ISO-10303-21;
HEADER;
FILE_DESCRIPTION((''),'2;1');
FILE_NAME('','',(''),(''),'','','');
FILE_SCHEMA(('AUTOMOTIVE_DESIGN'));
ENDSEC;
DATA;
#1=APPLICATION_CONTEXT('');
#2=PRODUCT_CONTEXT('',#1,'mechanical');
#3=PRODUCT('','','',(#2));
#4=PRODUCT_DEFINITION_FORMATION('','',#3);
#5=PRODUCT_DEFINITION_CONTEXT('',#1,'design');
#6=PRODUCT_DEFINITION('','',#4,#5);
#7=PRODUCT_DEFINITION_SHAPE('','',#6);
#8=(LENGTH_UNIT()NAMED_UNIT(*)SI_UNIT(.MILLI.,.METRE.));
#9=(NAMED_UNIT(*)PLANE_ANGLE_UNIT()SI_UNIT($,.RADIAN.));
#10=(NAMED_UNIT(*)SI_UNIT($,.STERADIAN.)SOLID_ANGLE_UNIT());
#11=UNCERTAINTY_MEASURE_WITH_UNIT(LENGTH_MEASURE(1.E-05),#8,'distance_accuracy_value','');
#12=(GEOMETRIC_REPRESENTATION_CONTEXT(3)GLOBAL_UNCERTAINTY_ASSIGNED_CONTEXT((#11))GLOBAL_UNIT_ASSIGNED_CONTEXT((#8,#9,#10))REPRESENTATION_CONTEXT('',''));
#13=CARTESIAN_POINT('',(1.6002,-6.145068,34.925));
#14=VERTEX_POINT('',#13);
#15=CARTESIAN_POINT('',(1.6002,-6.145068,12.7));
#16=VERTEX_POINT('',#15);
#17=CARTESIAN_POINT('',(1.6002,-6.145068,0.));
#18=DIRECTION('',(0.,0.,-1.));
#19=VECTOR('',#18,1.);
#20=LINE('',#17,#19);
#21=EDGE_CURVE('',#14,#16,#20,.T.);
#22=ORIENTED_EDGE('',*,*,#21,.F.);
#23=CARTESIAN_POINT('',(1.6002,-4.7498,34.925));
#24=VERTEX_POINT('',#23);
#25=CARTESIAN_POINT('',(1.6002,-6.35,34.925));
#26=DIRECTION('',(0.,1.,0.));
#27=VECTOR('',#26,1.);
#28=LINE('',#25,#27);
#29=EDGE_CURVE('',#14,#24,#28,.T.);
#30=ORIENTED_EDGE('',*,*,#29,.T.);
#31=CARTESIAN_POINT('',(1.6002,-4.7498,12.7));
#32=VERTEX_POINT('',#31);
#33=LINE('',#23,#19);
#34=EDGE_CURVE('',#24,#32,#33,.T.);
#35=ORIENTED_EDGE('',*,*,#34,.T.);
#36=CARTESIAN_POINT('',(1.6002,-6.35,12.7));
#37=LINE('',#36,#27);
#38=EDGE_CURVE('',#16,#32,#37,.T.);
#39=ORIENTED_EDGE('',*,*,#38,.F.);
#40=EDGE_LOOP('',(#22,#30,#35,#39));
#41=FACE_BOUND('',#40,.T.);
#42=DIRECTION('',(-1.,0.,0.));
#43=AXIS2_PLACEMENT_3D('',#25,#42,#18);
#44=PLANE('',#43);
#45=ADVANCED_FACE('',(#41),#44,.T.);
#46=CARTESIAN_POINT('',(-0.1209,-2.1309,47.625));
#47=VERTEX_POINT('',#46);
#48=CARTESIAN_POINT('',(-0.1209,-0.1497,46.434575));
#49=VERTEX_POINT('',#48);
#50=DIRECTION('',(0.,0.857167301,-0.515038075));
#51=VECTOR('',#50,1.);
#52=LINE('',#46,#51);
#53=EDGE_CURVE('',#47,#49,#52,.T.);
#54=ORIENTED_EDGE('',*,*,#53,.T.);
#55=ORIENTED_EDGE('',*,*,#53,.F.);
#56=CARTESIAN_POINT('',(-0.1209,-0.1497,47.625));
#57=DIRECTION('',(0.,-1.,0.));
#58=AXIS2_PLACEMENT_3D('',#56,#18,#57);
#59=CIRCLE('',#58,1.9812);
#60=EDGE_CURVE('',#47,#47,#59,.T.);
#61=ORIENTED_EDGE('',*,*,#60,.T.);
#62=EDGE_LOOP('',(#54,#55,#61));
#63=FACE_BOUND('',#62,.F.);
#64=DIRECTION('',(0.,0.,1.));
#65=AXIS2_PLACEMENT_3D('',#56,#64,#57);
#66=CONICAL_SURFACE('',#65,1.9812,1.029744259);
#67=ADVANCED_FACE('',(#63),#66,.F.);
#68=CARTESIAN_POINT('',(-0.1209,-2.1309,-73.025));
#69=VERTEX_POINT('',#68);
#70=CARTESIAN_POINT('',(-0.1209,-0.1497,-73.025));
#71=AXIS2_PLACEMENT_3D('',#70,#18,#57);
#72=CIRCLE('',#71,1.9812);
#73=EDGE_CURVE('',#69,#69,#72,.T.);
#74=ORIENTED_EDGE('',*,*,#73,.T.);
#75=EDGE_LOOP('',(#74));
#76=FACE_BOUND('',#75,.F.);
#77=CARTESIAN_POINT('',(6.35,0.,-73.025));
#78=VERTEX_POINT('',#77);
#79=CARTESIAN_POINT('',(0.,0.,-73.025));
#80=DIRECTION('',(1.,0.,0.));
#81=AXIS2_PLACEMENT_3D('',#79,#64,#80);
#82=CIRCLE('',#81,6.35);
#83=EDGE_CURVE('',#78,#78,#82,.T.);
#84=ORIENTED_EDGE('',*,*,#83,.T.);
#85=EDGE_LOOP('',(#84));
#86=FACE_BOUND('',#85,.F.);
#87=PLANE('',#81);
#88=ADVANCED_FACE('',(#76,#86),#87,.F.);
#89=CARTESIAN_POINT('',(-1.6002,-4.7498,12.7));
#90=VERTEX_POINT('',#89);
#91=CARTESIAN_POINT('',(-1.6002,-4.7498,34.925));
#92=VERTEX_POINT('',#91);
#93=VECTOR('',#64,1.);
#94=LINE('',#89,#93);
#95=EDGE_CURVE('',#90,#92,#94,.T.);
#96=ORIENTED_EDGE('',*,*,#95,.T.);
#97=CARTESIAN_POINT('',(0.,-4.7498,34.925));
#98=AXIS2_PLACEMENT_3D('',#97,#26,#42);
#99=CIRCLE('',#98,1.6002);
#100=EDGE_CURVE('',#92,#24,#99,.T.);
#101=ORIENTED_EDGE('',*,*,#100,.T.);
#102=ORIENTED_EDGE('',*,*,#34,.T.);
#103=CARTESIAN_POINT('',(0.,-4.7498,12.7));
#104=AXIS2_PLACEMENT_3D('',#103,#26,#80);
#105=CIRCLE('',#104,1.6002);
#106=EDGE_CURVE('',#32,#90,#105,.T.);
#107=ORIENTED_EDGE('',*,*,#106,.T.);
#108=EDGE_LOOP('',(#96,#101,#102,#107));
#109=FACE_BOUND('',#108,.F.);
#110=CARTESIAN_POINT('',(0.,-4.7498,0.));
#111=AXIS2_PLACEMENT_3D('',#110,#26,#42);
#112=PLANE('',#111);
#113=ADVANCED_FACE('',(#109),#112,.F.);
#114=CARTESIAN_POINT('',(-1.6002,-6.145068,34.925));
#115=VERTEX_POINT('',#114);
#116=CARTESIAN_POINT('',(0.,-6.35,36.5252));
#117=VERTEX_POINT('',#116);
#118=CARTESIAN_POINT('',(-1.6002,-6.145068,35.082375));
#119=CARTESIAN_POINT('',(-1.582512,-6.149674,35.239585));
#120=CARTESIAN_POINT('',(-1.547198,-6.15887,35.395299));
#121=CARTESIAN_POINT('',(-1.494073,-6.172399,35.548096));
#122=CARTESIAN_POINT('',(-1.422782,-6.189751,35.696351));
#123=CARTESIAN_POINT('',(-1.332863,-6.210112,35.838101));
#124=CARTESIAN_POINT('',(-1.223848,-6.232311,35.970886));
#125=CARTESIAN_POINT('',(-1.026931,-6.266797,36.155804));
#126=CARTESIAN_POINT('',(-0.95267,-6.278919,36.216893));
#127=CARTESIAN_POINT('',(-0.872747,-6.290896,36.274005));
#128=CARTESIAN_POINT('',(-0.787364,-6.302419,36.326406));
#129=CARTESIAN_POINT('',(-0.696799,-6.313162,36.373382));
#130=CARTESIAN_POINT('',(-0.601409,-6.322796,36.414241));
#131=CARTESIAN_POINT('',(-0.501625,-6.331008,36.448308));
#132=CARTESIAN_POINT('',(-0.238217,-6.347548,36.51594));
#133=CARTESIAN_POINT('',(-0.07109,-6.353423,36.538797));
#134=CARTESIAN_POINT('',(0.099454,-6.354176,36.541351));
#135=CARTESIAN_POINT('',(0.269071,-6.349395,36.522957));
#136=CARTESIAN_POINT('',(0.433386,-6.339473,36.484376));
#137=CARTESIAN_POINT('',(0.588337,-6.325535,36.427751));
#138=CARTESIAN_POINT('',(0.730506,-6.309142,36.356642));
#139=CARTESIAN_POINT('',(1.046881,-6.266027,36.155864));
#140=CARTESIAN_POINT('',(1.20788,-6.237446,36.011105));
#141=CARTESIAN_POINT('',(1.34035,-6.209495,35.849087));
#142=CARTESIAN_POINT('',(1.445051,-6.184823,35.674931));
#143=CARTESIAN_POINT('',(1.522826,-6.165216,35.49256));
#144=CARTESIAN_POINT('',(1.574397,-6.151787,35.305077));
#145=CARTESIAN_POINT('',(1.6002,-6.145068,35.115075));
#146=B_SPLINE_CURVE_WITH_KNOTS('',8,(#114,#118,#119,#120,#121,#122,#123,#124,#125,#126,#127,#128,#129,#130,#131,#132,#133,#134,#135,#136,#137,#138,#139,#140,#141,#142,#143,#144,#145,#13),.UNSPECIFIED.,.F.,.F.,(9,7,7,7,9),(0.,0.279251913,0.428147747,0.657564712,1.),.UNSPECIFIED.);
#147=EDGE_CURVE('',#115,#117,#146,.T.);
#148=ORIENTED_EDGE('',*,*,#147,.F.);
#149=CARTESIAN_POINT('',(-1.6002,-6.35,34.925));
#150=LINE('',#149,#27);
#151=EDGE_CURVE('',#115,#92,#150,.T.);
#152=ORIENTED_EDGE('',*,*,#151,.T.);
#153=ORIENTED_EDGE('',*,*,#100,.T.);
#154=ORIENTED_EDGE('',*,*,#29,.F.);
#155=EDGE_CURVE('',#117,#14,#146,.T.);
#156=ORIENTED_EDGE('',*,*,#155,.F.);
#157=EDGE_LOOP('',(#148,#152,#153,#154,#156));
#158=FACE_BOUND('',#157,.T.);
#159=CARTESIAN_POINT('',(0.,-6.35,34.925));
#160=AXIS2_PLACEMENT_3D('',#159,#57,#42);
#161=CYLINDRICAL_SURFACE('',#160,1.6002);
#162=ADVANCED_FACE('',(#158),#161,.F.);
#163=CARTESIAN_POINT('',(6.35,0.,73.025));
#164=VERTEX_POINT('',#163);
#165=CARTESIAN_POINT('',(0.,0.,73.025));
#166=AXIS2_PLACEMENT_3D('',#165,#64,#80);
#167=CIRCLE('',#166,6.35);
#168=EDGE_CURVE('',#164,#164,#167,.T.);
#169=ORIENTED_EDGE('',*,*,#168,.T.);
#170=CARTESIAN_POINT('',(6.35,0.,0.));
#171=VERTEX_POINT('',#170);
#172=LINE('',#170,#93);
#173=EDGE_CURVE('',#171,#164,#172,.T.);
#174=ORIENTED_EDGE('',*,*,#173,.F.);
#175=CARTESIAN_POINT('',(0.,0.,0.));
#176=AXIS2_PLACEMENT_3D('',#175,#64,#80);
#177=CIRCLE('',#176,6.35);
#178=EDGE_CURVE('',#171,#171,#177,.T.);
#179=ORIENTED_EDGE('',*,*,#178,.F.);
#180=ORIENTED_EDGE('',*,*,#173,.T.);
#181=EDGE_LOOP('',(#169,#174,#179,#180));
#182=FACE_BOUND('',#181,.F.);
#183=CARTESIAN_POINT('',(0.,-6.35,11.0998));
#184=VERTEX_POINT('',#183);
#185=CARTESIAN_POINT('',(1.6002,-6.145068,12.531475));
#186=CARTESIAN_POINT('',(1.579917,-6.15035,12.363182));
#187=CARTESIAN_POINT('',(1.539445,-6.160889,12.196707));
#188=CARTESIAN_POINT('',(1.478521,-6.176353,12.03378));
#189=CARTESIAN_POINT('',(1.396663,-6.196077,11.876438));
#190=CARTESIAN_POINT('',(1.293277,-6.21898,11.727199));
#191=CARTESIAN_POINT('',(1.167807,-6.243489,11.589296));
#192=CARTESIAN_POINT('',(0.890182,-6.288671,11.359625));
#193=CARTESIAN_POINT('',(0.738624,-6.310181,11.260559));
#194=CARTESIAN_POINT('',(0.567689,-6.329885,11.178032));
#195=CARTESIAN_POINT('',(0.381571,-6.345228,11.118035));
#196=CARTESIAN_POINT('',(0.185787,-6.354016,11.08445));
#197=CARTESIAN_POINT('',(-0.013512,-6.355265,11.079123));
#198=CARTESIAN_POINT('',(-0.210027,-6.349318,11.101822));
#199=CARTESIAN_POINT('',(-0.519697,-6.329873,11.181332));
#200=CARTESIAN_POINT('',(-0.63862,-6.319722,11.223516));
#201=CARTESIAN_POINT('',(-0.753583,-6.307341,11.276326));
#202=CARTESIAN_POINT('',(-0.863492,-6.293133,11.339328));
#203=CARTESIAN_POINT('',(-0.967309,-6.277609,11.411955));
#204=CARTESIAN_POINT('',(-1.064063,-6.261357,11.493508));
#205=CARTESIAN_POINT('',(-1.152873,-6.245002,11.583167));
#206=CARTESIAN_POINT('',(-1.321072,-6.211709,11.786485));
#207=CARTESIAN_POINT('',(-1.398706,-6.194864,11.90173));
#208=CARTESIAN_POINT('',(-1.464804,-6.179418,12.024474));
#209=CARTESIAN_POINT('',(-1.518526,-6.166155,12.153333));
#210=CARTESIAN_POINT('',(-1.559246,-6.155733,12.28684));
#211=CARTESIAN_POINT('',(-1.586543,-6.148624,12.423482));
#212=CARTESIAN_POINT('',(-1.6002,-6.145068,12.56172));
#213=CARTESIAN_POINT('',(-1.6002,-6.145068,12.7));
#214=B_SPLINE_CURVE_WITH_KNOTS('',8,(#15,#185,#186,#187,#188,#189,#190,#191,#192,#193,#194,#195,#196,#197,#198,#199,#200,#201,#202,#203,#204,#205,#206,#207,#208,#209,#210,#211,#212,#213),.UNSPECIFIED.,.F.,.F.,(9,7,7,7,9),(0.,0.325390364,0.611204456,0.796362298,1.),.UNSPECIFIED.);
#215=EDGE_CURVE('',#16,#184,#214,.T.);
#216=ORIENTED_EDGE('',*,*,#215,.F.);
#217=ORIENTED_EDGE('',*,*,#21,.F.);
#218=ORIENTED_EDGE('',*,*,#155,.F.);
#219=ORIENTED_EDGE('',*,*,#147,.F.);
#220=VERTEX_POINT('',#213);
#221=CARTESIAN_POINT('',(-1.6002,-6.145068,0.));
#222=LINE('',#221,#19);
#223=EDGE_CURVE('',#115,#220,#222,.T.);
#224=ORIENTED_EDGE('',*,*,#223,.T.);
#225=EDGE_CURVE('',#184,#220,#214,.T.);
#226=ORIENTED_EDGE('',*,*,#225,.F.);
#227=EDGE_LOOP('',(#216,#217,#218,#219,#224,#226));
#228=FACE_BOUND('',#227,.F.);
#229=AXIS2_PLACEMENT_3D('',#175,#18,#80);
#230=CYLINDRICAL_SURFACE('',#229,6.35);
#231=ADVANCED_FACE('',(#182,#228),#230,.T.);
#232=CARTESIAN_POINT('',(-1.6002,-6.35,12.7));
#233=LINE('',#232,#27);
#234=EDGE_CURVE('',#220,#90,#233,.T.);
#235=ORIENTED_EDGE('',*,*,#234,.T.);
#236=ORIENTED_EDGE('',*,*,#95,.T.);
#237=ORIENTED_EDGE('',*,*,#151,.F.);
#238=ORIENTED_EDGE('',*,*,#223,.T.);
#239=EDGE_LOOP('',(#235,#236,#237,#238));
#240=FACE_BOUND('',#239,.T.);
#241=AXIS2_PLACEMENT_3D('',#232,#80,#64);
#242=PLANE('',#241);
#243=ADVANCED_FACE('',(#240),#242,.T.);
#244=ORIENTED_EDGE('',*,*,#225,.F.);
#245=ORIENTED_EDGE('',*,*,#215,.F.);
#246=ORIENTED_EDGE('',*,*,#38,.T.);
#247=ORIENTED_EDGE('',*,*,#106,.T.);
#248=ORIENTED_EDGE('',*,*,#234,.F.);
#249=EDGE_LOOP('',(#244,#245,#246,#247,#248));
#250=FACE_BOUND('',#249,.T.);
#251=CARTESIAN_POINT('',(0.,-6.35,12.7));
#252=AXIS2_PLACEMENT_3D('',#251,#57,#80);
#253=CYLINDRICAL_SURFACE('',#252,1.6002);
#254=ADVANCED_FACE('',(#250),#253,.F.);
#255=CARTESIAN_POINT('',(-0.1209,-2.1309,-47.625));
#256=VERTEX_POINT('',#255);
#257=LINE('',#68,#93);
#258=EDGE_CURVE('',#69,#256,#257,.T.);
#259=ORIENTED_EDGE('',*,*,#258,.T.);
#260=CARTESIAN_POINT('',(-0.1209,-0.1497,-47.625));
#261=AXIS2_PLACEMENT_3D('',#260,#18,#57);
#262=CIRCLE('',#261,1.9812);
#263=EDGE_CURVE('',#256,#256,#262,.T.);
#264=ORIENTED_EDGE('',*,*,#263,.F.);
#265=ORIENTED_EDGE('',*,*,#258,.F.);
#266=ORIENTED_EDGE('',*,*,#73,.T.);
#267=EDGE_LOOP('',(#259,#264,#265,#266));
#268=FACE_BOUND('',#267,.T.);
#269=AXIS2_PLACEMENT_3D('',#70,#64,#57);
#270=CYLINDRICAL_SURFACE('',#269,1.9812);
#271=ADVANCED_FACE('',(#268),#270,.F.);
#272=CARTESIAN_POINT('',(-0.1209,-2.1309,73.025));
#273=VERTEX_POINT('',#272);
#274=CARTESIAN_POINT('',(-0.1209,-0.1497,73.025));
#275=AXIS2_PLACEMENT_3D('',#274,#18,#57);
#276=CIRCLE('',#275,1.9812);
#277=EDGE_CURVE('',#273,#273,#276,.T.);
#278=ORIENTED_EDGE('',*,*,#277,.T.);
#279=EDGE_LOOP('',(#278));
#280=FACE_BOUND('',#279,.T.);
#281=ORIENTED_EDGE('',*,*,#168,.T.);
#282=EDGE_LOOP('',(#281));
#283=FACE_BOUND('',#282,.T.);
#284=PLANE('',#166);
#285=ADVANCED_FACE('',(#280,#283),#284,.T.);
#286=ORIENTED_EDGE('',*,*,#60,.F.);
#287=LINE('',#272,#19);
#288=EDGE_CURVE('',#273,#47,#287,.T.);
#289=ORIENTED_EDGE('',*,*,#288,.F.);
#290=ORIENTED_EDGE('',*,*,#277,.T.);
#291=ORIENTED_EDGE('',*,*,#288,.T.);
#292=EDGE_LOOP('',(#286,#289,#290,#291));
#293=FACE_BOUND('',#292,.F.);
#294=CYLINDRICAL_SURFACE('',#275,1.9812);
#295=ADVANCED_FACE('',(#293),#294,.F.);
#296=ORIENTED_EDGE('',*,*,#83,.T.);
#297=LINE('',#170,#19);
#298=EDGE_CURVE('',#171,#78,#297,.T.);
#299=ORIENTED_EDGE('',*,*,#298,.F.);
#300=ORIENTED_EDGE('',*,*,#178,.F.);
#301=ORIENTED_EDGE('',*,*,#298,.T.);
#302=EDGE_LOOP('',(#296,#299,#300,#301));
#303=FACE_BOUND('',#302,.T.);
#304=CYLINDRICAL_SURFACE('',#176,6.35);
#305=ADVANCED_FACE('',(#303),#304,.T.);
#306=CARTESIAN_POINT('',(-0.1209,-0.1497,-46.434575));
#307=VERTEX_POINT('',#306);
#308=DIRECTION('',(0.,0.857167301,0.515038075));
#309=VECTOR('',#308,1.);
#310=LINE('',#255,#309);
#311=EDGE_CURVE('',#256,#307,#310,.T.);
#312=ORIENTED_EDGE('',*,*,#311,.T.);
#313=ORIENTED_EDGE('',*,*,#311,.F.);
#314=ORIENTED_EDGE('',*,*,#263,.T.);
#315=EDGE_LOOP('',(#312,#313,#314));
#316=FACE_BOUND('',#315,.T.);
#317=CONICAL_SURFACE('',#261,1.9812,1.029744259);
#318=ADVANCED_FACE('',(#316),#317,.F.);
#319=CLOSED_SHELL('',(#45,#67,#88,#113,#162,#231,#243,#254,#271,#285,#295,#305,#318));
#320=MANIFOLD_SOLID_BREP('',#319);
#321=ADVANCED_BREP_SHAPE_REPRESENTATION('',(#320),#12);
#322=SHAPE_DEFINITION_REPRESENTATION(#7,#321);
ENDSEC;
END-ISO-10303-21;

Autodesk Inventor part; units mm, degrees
ref_plane "YZ Plane" through (0, 0, 0) normal (1, 0, 0) x (0, 1, 0)
ref_plane "XY Plane" through (0, 0, 0) normal (0, 0, 1) x (1, 0, 0)
sketch "Sketch3" plane through (0, 0, 0) normal (0, 0, 1) x (1, 0, 0)
  circle A0 centre (0, 0) radius 6.35
  dimension "d0" = 12.7
extrude "Extrusion1" add sketch "Sketch3" along normal mid plane 146.05
sketch "Sketch4" plane through (0, 0, 73.025) normal (0, 0, 1) x (1, 0, 0)
  point P0 (0, 0)
  point P1 (-0.1209, -0.1497)
hole "Hole1" at (-0.1209, -0.1497, 73.025) direction (0, 0, -1) diameter 3.9624 depth 25.4 tip angle 118 thread size "10-32 UNF" class "2B" standard "ANSI Unified Screw Threads"
mirror "Mirror1" about plane through (0, 0, 0) normal (0, 0, 1) of "Hole1"
ref_plane "Work Plane1" through (0, -6.35, 0) normal (0, 1, 0) x (-1, 0, 0)
sketch "Sketch5" plane through (0, -6.35, 0) normal (0, 1, 0) x (-1, 0, 0)
  line L0 (0, 34.925) -> (0, 12.7) construction
  line L1 (-1.6002, 34.925) -> (-1.6002, 12.7)
  line L2 (1.6002, 12.7) -> (1.6002, 34.925)
  arc A0 (1.6002, 34.925) -> (-1.6002, 34.925) centre (0, 34.925) ccw
  arc A1 (-1.6002, 12.7) -> (1.6002, 12.7) centre (0, 12.7) ccw
  point P0 (0, 0)
  point P1 (0, 23.8125)
  dimension "d10" = 3.2004
  dimension "d11" = 23.8125
  dimension "d12" = 22.225
extrude "Extrusion2" cut sketch "Sketch5" along normal blind 1.6002
properties part number "1886K21_Rotary Shaft _Short"
